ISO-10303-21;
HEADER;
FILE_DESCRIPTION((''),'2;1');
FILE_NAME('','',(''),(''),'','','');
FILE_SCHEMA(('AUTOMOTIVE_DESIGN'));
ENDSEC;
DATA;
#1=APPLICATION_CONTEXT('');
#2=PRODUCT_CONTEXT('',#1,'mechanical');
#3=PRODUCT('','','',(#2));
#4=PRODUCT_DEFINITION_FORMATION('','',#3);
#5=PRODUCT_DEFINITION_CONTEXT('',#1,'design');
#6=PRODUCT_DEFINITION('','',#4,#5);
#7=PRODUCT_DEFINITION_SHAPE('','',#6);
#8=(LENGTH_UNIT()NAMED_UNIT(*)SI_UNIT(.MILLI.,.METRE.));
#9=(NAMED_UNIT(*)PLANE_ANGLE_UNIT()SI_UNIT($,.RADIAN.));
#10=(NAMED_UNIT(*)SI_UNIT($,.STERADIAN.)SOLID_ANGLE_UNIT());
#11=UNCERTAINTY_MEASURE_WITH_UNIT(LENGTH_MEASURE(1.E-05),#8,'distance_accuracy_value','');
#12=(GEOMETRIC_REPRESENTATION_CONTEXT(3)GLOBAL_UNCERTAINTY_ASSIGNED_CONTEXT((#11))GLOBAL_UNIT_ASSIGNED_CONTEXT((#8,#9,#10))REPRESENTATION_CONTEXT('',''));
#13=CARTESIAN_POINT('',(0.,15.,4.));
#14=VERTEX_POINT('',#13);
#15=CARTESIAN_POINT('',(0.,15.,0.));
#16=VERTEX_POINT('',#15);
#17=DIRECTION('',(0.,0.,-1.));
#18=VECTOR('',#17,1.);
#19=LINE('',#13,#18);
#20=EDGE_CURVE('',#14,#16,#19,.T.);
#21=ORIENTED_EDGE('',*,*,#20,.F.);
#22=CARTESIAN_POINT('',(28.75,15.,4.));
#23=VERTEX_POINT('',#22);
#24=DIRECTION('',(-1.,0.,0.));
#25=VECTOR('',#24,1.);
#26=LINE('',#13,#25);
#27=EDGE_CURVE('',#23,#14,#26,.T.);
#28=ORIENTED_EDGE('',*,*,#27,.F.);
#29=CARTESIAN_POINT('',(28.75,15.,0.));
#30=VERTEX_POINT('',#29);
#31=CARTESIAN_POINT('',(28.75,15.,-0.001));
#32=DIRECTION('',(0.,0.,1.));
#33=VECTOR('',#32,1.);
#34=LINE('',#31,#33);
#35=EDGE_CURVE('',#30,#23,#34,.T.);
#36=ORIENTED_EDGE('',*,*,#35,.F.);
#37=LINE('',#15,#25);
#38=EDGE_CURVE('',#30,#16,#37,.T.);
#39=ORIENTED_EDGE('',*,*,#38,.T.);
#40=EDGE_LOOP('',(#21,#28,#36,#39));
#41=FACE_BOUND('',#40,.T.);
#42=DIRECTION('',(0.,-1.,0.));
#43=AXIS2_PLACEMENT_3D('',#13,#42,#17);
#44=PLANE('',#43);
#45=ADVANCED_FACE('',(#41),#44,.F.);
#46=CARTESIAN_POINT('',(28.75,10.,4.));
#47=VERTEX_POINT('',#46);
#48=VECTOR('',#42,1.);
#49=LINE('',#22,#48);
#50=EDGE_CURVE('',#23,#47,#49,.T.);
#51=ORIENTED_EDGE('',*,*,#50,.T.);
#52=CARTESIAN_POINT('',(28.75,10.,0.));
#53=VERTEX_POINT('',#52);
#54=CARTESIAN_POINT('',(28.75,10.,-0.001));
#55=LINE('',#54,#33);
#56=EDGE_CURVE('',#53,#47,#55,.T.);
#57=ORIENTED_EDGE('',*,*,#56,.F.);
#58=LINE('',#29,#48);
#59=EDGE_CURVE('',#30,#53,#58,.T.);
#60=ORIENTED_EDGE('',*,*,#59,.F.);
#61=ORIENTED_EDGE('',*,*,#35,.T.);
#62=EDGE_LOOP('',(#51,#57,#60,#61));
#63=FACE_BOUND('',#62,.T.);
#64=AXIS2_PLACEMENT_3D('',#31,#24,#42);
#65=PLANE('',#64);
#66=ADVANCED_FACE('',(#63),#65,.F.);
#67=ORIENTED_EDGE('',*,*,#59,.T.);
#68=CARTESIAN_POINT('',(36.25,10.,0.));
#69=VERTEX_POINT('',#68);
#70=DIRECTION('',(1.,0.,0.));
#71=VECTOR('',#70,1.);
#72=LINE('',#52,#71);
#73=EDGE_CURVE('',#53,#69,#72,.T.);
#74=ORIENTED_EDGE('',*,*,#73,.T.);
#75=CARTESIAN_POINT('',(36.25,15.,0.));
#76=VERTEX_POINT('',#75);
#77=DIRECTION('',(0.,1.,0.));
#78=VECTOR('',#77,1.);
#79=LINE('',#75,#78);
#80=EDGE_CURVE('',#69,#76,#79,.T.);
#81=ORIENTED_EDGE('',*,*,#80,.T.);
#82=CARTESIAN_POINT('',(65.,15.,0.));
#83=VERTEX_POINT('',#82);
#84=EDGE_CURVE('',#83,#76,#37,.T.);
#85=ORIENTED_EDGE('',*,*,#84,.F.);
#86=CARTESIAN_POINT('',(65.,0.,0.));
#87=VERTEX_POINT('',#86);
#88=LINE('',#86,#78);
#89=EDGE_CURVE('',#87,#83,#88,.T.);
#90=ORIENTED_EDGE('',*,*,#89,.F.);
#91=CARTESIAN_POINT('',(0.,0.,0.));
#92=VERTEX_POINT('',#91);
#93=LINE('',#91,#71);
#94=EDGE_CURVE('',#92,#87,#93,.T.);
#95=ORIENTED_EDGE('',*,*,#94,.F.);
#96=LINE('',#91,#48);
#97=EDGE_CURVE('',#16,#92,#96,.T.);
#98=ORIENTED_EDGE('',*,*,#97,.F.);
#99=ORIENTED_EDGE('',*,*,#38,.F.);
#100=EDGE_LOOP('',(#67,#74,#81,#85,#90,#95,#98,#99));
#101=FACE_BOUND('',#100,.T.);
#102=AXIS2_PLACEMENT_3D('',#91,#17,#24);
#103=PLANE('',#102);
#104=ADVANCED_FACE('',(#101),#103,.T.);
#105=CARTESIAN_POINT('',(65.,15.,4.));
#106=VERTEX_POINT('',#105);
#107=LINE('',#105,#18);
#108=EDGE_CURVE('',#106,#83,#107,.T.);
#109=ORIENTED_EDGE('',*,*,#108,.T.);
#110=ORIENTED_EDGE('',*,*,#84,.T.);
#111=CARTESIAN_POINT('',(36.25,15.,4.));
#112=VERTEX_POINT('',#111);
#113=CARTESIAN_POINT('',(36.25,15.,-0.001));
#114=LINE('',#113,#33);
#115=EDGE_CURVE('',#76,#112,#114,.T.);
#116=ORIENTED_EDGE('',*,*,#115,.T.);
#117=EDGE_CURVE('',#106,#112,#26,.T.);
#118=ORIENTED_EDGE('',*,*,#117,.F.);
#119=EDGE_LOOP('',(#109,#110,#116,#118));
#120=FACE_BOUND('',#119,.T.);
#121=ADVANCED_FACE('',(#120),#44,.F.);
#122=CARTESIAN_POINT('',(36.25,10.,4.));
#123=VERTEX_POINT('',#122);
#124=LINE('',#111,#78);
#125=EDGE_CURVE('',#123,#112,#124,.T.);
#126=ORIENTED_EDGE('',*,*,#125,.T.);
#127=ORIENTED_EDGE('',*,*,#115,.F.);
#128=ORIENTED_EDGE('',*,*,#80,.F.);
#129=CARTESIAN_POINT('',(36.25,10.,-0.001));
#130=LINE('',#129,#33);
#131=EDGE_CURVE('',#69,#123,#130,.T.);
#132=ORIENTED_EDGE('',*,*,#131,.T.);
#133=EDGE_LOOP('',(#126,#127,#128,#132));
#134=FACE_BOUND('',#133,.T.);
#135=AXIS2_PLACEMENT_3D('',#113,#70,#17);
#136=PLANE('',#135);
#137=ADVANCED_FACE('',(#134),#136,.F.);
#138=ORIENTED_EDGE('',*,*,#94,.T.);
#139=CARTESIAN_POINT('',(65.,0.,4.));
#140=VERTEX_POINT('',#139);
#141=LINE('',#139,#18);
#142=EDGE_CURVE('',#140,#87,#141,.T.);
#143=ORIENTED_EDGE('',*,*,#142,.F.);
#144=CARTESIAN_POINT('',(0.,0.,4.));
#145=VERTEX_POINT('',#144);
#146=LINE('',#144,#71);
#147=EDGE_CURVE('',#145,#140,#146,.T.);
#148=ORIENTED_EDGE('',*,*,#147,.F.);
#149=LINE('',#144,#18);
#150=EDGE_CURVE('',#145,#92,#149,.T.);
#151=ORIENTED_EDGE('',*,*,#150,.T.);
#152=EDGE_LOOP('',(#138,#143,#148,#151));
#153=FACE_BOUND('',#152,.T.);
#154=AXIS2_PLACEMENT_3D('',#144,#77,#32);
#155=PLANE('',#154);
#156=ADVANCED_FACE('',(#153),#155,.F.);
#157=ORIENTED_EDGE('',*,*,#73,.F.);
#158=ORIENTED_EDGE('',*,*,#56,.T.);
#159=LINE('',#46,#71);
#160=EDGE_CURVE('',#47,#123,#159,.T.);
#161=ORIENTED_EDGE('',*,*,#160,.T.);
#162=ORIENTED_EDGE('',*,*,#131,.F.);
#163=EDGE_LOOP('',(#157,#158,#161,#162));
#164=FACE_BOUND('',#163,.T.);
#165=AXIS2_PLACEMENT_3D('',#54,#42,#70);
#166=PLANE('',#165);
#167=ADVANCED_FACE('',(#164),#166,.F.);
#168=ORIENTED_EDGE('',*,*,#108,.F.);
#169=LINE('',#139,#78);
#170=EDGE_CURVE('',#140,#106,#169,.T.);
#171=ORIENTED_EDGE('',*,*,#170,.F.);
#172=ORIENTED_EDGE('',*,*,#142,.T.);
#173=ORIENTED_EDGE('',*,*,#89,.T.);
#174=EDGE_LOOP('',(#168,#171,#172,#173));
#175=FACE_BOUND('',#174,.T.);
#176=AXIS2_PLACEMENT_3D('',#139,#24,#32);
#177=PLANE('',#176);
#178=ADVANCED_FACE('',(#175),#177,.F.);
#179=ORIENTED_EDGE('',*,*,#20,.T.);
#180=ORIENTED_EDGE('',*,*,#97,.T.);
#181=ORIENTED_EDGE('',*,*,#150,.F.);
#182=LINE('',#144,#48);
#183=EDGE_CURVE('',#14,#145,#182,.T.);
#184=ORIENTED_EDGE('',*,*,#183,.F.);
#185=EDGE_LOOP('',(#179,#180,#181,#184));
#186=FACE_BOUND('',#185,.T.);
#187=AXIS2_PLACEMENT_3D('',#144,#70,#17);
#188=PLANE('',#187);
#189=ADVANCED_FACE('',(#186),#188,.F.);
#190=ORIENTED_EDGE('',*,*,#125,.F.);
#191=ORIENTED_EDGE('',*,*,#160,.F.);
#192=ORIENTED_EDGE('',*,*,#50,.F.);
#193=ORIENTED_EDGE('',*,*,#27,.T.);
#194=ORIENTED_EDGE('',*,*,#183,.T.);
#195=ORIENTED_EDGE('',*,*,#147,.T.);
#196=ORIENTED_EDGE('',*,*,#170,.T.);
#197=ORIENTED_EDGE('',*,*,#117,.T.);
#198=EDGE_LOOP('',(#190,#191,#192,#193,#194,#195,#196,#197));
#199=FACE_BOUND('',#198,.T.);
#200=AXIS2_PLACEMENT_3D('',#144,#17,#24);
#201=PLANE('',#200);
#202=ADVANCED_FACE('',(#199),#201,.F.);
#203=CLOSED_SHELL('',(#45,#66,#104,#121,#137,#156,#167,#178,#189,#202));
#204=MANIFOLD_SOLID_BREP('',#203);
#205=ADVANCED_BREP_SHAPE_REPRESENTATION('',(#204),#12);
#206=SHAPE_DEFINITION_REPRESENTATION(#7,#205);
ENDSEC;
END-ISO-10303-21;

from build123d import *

# Parameters (mm, degrees)
SKIZZE1_W                       = 65
SKIZZE1_H                       = 15
AUFSATZ_LINEAR_AUSTRAGEN1_DEPTH = 4
SCHNITT_LINEAR_AUSTRAGEN1_REACH = 6
SKIZZE2_W                       = 7.5
SKIZZE2_H                       = 5


with BuildPart() as part:
    # Skizze1 → Aufsatz-Linear austragen1 (new body)
    with BuildSketch(Plane.XY):
        with Locations((32.5, 7.5)):
            Rectangle(SKIZZE1_W, SKIZZE1_H)
    extrude(amount=AUFSATZ_LINEAR_AUSTRAGEN1_DEPTH)

    # Skizze2 → Schnitt-Linear austragen1 (cut, up to next)
    with BuildSketch(Plane.XY.offset(4), mode=Mode.PRIVATE) as schnitt_linear_austragen1_sk1:
        with Locations((32.5, 12.5)):
            Rectangle(SKIZZE2_W, SKIZZE2_H)
    schnitt_linear_austragen1_tool1 = extrude(schnitt_linear_austragen1_sk1.sketch, amount=-SCHNITT_LINEAR_AUSTRAGEN1_REACH, mode=Mode.PRIVATE) & part.part
    add(schnitt_linear_austragen1_tool1.solids().sort_by_distance((32.5, 12.5, 4))[0], mode=Mode.SUBTRACT)


solid = part.part
